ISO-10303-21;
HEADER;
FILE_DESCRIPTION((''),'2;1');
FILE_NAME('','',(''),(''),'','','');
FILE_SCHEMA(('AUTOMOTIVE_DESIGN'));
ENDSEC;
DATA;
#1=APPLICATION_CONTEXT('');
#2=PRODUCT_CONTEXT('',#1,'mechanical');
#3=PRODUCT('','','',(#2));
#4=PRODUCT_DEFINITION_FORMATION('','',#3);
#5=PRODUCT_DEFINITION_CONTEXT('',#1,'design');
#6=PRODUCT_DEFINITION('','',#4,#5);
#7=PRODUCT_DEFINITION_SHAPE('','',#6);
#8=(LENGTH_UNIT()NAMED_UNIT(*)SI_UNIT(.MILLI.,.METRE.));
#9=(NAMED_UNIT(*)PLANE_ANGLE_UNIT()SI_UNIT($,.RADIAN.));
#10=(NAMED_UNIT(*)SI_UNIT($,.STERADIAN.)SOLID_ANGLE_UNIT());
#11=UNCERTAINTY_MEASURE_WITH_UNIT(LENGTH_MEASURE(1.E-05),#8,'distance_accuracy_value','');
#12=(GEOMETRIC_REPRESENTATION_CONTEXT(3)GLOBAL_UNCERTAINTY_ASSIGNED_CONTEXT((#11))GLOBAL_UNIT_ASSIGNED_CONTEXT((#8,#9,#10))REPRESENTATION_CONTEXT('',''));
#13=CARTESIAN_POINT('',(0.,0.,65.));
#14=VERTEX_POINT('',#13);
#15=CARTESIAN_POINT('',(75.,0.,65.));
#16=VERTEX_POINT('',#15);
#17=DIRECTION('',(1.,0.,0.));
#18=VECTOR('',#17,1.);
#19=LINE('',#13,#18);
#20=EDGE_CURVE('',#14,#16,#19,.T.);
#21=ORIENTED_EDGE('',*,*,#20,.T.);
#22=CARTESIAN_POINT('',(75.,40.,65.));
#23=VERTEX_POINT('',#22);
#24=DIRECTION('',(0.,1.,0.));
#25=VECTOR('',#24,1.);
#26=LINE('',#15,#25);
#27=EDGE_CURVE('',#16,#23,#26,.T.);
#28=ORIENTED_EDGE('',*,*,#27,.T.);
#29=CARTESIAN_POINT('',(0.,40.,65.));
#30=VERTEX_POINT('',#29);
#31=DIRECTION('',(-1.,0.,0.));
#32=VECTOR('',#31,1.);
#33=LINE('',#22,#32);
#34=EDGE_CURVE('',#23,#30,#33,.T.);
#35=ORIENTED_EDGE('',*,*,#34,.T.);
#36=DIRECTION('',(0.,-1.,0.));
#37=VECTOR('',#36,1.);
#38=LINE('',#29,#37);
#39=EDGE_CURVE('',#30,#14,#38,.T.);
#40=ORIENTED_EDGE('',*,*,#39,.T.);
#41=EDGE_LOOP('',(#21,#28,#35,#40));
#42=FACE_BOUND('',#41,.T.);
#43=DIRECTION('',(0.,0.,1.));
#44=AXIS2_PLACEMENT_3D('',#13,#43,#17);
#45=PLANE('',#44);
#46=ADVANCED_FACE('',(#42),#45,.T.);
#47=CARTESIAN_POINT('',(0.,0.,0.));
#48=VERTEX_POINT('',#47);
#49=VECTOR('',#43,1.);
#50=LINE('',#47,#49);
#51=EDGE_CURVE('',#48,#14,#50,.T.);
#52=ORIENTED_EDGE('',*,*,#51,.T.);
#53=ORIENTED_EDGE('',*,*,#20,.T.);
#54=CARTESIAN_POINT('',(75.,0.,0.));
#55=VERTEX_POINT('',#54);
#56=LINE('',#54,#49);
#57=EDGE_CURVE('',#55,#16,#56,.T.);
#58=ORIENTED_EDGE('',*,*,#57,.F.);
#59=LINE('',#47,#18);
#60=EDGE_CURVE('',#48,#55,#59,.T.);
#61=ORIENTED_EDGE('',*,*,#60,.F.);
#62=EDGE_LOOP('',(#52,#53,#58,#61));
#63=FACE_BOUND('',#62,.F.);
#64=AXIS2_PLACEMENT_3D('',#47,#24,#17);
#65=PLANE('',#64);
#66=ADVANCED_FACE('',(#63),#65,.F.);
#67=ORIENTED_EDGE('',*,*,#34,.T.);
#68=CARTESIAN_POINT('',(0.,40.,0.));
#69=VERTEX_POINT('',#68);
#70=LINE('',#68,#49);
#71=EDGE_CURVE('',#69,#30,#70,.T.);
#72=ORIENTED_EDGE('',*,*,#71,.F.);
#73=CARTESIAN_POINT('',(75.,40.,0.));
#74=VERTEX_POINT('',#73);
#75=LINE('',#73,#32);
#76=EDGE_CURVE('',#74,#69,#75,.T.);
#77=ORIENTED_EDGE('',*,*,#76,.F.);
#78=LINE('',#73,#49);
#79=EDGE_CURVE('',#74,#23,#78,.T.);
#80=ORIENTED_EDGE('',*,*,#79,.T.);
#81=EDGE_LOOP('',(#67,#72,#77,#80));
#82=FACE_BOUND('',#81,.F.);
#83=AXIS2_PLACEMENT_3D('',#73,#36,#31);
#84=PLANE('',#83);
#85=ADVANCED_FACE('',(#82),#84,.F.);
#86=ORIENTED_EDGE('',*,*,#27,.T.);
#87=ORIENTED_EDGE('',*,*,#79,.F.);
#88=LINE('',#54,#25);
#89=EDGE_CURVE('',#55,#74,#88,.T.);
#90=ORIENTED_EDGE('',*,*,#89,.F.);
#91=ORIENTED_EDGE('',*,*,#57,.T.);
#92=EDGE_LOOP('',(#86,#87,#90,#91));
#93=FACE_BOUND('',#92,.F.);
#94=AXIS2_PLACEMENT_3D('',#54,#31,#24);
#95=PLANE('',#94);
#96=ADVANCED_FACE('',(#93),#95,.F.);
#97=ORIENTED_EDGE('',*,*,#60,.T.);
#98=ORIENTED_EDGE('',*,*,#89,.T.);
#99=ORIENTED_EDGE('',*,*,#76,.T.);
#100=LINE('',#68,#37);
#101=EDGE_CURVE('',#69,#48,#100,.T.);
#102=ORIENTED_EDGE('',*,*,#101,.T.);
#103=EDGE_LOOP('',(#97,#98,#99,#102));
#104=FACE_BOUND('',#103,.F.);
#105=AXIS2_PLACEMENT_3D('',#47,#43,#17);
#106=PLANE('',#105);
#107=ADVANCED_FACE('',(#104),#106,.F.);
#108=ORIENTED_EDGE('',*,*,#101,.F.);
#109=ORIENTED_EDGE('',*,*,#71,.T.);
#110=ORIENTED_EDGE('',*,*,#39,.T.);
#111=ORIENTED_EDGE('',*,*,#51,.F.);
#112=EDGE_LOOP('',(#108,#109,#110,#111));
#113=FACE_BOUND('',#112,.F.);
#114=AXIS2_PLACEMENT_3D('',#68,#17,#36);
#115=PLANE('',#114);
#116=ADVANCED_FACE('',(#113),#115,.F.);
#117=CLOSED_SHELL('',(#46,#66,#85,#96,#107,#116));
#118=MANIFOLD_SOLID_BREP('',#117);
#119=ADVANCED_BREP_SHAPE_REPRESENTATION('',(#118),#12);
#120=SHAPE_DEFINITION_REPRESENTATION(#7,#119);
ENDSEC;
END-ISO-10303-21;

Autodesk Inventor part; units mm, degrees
ref_plane "YZ Plane" through (0, 0, 0) normal (1, 0, 0) x (0, 1, 0)
ref_plane "XZ Plane" through (0, 0, 0) normal (0, 1, 0) x (-1, 0, 0)
ref_plane "XY Plane" through (0, 0, 0) normal (0, 0, 1) x (1, 0, 0)
sketch "Sketch1" plane through (0, 0, 0) normal (0, 0, 1) x (1, 0, 0)
  line L0 (0, 0) -> (75, 0)
  line L1 (75, 0) -> (75, 40)
  line L2 (75, 40) -> (0, 40)
  line L3 (0, 40) -> (0, 0)
  dimension "d0" = 75
  dimension "d1" = 40
extrude "Extrusion1" add sketch "Sketch1" along normal blind 65
properties part number "EF-Base"
